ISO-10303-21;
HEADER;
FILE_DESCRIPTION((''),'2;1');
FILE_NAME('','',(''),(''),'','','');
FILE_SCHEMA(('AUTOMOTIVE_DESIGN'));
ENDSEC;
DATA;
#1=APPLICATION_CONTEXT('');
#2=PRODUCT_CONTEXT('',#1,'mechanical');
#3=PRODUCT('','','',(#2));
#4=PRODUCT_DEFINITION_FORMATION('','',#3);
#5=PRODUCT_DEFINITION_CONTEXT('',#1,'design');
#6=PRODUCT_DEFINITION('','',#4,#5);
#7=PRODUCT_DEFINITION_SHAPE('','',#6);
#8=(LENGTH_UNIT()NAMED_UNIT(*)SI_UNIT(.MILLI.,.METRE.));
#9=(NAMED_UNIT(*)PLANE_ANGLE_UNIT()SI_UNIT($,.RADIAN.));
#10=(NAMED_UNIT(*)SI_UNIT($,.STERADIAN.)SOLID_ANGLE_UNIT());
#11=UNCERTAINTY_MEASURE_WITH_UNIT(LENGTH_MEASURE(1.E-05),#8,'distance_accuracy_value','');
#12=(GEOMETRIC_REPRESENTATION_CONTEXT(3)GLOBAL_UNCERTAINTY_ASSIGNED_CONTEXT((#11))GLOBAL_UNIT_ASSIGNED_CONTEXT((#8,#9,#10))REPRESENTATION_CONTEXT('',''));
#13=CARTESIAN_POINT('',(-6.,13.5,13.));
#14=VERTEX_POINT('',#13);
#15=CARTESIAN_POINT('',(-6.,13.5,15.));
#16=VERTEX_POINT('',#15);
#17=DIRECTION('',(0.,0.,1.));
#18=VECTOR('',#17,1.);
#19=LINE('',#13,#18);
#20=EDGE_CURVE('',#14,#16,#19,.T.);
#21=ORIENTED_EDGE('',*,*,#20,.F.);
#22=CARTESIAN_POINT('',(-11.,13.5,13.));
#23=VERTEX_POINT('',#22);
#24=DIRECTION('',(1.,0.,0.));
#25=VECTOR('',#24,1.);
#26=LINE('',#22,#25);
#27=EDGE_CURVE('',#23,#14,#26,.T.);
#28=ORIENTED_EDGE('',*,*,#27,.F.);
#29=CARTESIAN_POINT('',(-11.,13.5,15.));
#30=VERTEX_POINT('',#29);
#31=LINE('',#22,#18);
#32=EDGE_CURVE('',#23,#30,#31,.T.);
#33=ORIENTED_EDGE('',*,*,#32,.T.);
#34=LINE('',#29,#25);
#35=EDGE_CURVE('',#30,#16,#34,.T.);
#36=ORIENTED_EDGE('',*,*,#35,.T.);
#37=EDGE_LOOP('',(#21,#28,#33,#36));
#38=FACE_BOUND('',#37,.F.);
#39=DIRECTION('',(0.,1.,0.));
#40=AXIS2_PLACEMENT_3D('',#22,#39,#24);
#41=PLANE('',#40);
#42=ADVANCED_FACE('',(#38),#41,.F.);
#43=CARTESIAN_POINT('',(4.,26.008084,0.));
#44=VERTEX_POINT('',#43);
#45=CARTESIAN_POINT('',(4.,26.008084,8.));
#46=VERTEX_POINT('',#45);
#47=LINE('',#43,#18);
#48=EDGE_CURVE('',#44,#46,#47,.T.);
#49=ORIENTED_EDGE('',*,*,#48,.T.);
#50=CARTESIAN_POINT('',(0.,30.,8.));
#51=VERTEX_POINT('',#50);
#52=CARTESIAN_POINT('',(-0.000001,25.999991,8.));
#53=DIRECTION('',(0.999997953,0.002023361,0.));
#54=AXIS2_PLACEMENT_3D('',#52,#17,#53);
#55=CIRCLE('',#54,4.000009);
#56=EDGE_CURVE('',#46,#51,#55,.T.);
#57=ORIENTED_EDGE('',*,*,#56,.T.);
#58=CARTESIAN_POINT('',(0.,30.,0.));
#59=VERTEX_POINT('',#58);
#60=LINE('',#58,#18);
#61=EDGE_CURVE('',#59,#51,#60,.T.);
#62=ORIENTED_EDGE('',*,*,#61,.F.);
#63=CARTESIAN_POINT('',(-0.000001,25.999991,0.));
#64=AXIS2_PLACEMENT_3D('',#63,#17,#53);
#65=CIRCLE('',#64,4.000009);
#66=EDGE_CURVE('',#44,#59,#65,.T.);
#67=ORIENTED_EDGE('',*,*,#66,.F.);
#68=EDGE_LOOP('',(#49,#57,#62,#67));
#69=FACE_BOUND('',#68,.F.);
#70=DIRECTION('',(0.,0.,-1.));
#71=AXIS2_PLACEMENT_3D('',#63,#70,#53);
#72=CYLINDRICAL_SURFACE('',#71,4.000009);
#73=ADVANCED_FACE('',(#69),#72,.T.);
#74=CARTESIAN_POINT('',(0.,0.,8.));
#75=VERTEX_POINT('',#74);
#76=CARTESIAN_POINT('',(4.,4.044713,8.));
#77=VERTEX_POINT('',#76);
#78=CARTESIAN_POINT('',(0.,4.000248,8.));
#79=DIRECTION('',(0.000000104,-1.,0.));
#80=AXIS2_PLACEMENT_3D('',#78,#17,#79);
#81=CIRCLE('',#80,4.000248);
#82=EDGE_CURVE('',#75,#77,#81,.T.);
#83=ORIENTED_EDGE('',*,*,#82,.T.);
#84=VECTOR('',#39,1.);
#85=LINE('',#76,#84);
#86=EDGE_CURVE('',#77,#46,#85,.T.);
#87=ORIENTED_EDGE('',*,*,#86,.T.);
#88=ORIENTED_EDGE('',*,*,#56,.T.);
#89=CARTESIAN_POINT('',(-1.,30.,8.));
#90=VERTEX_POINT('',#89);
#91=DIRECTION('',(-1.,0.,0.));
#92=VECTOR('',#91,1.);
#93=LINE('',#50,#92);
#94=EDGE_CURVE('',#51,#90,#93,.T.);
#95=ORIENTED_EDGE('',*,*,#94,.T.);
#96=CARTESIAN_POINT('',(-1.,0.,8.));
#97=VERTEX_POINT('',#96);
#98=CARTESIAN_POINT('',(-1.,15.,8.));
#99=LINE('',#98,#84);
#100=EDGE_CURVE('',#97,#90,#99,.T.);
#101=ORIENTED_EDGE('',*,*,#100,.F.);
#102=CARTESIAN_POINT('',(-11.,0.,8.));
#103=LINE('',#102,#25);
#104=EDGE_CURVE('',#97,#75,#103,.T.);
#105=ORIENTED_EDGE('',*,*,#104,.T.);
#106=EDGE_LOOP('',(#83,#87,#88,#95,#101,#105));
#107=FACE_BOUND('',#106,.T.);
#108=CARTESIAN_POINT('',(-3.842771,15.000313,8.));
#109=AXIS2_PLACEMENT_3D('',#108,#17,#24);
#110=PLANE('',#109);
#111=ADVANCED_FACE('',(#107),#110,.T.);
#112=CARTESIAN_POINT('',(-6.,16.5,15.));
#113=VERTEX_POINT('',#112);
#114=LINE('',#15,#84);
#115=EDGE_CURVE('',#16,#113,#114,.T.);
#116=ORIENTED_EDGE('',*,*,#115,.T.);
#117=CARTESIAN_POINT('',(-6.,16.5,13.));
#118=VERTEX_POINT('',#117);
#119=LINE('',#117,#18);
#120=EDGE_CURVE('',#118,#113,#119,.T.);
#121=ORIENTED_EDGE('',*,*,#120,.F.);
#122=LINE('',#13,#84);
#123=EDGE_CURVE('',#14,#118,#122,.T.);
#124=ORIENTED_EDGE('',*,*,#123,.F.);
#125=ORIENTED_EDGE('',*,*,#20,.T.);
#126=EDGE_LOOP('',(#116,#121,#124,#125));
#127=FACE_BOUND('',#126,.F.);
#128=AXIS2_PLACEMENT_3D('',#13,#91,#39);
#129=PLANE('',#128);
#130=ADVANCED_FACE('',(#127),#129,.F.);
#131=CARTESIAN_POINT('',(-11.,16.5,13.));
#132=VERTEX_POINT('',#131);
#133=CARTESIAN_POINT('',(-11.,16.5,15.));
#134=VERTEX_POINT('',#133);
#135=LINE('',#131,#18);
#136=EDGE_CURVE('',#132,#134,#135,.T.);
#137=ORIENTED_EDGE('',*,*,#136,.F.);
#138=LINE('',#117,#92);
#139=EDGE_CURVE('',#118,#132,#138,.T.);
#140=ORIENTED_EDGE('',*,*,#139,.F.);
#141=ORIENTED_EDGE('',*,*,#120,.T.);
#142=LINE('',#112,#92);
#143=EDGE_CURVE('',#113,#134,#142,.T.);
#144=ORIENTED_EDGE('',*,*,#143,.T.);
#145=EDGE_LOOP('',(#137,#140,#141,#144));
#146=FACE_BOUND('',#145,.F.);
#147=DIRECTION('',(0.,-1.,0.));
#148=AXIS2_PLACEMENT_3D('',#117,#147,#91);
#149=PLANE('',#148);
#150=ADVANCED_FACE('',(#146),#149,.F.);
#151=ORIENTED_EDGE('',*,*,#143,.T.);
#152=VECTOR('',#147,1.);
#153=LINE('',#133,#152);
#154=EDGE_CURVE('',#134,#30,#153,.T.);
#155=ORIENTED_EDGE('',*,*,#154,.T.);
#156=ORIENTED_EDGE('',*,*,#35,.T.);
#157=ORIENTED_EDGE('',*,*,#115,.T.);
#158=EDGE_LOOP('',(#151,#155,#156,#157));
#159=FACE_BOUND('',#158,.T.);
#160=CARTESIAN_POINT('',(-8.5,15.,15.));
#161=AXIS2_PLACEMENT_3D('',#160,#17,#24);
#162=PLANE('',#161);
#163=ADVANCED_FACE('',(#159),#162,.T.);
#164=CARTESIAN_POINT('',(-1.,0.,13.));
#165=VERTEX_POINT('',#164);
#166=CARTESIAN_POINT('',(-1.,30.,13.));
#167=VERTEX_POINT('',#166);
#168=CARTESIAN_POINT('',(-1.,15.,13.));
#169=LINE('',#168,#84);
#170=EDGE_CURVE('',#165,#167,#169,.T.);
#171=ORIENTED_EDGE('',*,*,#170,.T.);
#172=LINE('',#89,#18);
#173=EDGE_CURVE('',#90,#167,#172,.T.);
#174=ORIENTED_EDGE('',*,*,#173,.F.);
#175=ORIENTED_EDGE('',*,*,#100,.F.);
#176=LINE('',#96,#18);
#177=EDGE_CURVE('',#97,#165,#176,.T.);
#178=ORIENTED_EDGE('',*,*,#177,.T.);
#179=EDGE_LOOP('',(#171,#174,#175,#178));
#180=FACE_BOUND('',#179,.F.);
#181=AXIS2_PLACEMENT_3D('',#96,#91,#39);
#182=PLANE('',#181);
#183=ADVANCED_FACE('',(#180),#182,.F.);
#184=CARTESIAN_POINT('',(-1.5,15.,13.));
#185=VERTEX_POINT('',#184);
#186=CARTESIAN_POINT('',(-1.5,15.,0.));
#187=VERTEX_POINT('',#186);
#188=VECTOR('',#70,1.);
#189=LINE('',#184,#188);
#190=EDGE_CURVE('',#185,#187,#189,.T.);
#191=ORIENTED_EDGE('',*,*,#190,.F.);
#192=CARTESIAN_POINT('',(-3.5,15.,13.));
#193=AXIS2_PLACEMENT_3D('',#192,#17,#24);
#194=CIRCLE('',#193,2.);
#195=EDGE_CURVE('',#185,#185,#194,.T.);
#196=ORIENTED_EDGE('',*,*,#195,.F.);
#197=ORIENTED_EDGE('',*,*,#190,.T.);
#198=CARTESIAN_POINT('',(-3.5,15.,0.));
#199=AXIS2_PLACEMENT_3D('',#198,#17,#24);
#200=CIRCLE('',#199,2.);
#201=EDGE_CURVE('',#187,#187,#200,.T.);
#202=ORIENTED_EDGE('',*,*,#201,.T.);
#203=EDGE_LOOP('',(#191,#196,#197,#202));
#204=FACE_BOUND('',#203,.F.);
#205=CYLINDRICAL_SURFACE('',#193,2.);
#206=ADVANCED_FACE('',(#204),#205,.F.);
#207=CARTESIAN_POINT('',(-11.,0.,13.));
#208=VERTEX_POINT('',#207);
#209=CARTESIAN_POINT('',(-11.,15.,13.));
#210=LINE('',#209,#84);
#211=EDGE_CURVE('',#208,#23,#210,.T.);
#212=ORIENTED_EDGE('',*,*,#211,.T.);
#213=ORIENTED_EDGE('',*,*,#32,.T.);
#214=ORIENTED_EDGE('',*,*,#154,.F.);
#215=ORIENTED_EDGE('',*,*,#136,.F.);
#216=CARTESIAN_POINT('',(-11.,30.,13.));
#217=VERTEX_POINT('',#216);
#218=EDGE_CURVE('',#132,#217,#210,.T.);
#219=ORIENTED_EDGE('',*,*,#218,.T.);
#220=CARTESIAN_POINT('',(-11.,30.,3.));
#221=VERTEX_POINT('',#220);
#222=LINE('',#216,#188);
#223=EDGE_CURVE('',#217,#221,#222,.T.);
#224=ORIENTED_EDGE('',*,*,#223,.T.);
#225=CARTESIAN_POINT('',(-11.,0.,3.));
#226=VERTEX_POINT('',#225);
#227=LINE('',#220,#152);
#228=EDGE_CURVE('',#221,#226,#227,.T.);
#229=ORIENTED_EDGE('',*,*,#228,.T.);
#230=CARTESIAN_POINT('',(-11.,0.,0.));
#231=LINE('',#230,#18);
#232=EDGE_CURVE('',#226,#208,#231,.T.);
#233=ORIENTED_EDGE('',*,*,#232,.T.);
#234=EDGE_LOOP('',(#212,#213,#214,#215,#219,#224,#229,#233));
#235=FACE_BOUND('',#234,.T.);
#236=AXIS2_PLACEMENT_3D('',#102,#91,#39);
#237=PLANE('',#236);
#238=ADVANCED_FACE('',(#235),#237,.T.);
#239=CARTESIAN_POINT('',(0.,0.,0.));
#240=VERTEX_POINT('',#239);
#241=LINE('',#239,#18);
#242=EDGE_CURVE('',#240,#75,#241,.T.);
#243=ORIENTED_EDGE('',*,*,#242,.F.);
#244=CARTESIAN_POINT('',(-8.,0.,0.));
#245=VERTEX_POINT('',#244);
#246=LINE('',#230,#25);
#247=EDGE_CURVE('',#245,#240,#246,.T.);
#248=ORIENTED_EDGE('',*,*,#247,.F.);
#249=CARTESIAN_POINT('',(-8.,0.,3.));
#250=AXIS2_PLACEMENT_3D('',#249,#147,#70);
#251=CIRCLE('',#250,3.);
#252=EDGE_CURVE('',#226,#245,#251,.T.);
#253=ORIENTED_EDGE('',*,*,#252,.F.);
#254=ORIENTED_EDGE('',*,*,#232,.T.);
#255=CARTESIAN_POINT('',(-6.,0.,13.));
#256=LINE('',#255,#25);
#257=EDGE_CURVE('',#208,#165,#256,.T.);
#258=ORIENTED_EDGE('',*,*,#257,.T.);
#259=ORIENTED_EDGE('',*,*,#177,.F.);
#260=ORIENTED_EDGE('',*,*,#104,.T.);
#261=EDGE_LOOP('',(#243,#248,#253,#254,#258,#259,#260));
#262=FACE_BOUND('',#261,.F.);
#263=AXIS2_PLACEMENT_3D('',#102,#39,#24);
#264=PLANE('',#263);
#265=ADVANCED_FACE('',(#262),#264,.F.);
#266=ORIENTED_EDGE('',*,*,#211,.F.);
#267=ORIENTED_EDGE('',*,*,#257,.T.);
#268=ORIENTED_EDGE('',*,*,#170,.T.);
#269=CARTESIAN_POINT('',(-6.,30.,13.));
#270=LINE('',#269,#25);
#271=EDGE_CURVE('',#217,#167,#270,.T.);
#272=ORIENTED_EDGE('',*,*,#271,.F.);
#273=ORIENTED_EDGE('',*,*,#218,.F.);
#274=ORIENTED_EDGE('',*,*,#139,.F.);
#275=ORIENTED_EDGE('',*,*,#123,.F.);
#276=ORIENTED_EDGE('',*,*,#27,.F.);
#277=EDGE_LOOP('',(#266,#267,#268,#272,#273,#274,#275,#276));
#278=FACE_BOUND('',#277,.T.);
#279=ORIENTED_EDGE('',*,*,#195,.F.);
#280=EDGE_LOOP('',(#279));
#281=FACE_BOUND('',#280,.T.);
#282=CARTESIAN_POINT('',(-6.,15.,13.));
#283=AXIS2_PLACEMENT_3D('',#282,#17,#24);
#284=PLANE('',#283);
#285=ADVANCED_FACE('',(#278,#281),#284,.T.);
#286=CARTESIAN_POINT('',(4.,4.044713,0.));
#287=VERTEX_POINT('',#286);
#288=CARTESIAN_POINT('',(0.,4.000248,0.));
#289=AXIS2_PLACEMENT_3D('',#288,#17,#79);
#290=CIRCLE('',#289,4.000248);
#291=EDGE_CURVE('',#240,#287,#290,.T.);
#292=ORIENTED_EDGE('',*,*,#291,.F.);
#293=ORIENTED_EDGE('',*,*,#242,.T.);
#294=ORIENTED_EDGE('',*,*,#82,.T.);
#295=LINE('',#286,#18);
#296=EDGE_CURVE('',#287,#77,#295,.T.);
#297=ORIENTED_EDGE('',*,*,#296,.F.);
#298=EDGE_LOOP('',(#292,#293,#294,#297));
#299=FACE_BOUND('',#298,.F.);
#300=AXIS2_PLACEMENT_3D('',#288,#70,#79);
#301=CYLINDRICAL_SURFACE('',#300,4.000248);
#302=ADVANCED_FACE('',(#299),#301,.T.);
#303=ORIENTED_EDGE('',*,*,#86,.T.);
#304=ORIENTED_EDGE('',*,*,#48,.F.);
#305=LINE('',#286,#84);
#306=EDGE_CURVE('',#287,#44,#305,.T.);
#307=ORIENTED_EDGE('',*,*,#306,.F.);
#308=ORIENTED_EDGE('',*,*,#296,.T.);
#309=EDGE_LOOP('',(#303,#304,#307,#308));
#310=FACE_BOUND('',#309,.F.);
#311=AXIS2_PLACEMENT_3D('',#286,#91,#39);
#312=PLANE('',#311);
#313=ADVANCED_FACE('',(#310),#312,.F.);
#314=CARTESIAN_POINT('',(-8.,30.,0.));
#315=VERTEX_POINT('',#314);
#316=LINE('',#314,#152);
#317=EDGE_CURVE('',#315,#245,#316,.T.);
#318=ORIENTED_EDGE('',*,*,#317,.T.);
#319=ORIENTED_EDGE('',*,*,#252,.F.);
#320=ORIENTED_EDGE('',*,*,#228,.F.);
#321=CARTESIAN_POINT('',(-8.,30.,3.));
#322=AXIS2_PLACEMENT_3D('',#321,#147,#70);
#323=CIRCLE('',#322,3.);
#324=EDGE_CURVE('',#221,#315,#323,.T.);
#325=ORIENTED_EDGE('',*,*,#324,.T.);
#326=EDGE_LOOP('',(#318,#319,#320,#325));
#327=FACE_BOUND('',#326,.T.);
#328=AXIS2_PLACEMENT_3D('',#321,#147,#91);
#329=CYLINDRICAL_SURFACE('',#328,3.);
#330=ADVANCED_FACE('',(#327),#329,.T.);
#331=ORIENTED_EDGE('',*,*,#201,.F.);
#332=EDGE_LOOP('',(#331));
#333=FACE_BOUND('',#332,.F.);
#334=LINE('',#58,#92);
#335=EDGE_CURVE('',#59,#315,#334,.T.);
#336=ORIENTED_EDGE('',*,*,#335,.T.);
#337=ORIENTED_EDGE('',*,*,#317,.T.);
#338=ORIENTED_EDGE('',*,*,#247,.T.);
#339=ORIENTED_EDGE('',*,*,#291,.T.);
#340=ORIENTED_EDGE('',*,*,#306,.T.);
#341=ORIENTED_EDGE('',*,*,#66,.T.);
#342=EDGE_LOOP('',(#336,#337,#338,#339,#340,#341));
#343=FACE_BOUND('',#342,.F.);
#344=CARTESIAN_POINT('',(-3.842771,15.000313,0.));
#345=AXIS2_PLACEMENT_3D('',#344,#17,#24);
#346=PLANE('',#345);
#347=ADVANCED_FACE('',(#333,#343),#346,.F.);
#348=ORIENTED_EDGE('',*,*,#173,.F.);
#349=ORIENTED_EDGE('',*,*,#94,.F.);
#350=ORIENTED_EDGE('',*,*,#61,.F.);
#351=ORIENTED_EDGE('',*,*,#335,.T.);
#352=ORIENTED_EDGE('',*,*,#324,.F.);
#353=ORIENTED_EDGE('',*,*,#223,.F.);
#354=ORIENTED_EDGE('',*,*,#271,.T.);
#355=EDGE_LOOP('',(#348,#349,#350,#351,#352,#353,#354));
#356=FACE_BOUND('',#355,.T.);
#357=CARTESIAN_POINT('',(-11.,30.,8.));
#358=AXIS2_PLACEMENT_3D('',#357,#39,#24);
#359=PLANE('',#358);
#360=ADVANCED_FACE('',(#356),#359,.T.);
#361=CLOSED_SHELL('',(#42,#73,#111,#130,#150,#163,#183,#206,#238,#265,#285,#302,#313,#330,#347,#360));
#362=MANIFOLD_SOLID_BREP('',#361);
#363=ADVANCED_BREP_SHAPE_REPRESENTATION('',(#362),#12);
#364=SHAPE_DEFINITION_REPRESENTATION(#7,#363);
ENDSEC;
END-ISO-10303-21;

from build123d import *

# Parameters (mm, degrees)
F1_DEPTH = 8
F2_W     = 10
F2_H     = 30
F3_DEPTH = 5
F4_R     = 2
F5_DEPTH = 13.9
F6_DEPTH = 2
F7_R     = 3


with BuildPart() as f1:
    # F0 (on Top) → F1 (new body)
    with BuildSketch(Plane.XY):
        with BuildLine():
            Line((-11, 0), (0, 0))
            ThreePointArc((0, 0), (2.844279, 1.18741), (4, 4.044713))
            Line((4, 4.044713), (4, 26.008084))
            ThreePointArc((4, 26.008084), (2.82557, 28.831284), (0, 30))
            Line((0, 30), (-11, 30))
            Line((-11, 30), (-11, 0))
        make_face()
    extrude(amount=F1_DEPTH)

    # F2 (on face) → F3 (join)
    with BuildSketch(Plane.XY.offset(8)):
        with Locations((-6, 15)):
            Rectangle(F2_W, F2_H)
    extrude(amount=F3_DEPTH)

    # F4 (on face) → F5 (cut)
    with BuildSketch(Plane.XY.offset(13)):
        with Locations((-3.5, 15)):
            Circle(F4_R)
    extrude(amount=-F5_DEPTH, mode=Mode.SUBTRACT)

    # F4 (on face) → F6 (join)
    with BuildSketch(Plane.XY.offset(13)):
        Polygon((-6, 16.5), (-11, 16.5), (-11, 15), (-11, 13.5), (-6, 13.5), (-6, 15), align=None)
    extrude(amount=F6_DEPTH)

    # F7
    f7_edges = [f1.edges().sort_by_distance(p)[0] for p in [
        (-11, 15, 0),
    ]]
    fillet(f7_edges, radius=F7_R)


solid = f1.part
